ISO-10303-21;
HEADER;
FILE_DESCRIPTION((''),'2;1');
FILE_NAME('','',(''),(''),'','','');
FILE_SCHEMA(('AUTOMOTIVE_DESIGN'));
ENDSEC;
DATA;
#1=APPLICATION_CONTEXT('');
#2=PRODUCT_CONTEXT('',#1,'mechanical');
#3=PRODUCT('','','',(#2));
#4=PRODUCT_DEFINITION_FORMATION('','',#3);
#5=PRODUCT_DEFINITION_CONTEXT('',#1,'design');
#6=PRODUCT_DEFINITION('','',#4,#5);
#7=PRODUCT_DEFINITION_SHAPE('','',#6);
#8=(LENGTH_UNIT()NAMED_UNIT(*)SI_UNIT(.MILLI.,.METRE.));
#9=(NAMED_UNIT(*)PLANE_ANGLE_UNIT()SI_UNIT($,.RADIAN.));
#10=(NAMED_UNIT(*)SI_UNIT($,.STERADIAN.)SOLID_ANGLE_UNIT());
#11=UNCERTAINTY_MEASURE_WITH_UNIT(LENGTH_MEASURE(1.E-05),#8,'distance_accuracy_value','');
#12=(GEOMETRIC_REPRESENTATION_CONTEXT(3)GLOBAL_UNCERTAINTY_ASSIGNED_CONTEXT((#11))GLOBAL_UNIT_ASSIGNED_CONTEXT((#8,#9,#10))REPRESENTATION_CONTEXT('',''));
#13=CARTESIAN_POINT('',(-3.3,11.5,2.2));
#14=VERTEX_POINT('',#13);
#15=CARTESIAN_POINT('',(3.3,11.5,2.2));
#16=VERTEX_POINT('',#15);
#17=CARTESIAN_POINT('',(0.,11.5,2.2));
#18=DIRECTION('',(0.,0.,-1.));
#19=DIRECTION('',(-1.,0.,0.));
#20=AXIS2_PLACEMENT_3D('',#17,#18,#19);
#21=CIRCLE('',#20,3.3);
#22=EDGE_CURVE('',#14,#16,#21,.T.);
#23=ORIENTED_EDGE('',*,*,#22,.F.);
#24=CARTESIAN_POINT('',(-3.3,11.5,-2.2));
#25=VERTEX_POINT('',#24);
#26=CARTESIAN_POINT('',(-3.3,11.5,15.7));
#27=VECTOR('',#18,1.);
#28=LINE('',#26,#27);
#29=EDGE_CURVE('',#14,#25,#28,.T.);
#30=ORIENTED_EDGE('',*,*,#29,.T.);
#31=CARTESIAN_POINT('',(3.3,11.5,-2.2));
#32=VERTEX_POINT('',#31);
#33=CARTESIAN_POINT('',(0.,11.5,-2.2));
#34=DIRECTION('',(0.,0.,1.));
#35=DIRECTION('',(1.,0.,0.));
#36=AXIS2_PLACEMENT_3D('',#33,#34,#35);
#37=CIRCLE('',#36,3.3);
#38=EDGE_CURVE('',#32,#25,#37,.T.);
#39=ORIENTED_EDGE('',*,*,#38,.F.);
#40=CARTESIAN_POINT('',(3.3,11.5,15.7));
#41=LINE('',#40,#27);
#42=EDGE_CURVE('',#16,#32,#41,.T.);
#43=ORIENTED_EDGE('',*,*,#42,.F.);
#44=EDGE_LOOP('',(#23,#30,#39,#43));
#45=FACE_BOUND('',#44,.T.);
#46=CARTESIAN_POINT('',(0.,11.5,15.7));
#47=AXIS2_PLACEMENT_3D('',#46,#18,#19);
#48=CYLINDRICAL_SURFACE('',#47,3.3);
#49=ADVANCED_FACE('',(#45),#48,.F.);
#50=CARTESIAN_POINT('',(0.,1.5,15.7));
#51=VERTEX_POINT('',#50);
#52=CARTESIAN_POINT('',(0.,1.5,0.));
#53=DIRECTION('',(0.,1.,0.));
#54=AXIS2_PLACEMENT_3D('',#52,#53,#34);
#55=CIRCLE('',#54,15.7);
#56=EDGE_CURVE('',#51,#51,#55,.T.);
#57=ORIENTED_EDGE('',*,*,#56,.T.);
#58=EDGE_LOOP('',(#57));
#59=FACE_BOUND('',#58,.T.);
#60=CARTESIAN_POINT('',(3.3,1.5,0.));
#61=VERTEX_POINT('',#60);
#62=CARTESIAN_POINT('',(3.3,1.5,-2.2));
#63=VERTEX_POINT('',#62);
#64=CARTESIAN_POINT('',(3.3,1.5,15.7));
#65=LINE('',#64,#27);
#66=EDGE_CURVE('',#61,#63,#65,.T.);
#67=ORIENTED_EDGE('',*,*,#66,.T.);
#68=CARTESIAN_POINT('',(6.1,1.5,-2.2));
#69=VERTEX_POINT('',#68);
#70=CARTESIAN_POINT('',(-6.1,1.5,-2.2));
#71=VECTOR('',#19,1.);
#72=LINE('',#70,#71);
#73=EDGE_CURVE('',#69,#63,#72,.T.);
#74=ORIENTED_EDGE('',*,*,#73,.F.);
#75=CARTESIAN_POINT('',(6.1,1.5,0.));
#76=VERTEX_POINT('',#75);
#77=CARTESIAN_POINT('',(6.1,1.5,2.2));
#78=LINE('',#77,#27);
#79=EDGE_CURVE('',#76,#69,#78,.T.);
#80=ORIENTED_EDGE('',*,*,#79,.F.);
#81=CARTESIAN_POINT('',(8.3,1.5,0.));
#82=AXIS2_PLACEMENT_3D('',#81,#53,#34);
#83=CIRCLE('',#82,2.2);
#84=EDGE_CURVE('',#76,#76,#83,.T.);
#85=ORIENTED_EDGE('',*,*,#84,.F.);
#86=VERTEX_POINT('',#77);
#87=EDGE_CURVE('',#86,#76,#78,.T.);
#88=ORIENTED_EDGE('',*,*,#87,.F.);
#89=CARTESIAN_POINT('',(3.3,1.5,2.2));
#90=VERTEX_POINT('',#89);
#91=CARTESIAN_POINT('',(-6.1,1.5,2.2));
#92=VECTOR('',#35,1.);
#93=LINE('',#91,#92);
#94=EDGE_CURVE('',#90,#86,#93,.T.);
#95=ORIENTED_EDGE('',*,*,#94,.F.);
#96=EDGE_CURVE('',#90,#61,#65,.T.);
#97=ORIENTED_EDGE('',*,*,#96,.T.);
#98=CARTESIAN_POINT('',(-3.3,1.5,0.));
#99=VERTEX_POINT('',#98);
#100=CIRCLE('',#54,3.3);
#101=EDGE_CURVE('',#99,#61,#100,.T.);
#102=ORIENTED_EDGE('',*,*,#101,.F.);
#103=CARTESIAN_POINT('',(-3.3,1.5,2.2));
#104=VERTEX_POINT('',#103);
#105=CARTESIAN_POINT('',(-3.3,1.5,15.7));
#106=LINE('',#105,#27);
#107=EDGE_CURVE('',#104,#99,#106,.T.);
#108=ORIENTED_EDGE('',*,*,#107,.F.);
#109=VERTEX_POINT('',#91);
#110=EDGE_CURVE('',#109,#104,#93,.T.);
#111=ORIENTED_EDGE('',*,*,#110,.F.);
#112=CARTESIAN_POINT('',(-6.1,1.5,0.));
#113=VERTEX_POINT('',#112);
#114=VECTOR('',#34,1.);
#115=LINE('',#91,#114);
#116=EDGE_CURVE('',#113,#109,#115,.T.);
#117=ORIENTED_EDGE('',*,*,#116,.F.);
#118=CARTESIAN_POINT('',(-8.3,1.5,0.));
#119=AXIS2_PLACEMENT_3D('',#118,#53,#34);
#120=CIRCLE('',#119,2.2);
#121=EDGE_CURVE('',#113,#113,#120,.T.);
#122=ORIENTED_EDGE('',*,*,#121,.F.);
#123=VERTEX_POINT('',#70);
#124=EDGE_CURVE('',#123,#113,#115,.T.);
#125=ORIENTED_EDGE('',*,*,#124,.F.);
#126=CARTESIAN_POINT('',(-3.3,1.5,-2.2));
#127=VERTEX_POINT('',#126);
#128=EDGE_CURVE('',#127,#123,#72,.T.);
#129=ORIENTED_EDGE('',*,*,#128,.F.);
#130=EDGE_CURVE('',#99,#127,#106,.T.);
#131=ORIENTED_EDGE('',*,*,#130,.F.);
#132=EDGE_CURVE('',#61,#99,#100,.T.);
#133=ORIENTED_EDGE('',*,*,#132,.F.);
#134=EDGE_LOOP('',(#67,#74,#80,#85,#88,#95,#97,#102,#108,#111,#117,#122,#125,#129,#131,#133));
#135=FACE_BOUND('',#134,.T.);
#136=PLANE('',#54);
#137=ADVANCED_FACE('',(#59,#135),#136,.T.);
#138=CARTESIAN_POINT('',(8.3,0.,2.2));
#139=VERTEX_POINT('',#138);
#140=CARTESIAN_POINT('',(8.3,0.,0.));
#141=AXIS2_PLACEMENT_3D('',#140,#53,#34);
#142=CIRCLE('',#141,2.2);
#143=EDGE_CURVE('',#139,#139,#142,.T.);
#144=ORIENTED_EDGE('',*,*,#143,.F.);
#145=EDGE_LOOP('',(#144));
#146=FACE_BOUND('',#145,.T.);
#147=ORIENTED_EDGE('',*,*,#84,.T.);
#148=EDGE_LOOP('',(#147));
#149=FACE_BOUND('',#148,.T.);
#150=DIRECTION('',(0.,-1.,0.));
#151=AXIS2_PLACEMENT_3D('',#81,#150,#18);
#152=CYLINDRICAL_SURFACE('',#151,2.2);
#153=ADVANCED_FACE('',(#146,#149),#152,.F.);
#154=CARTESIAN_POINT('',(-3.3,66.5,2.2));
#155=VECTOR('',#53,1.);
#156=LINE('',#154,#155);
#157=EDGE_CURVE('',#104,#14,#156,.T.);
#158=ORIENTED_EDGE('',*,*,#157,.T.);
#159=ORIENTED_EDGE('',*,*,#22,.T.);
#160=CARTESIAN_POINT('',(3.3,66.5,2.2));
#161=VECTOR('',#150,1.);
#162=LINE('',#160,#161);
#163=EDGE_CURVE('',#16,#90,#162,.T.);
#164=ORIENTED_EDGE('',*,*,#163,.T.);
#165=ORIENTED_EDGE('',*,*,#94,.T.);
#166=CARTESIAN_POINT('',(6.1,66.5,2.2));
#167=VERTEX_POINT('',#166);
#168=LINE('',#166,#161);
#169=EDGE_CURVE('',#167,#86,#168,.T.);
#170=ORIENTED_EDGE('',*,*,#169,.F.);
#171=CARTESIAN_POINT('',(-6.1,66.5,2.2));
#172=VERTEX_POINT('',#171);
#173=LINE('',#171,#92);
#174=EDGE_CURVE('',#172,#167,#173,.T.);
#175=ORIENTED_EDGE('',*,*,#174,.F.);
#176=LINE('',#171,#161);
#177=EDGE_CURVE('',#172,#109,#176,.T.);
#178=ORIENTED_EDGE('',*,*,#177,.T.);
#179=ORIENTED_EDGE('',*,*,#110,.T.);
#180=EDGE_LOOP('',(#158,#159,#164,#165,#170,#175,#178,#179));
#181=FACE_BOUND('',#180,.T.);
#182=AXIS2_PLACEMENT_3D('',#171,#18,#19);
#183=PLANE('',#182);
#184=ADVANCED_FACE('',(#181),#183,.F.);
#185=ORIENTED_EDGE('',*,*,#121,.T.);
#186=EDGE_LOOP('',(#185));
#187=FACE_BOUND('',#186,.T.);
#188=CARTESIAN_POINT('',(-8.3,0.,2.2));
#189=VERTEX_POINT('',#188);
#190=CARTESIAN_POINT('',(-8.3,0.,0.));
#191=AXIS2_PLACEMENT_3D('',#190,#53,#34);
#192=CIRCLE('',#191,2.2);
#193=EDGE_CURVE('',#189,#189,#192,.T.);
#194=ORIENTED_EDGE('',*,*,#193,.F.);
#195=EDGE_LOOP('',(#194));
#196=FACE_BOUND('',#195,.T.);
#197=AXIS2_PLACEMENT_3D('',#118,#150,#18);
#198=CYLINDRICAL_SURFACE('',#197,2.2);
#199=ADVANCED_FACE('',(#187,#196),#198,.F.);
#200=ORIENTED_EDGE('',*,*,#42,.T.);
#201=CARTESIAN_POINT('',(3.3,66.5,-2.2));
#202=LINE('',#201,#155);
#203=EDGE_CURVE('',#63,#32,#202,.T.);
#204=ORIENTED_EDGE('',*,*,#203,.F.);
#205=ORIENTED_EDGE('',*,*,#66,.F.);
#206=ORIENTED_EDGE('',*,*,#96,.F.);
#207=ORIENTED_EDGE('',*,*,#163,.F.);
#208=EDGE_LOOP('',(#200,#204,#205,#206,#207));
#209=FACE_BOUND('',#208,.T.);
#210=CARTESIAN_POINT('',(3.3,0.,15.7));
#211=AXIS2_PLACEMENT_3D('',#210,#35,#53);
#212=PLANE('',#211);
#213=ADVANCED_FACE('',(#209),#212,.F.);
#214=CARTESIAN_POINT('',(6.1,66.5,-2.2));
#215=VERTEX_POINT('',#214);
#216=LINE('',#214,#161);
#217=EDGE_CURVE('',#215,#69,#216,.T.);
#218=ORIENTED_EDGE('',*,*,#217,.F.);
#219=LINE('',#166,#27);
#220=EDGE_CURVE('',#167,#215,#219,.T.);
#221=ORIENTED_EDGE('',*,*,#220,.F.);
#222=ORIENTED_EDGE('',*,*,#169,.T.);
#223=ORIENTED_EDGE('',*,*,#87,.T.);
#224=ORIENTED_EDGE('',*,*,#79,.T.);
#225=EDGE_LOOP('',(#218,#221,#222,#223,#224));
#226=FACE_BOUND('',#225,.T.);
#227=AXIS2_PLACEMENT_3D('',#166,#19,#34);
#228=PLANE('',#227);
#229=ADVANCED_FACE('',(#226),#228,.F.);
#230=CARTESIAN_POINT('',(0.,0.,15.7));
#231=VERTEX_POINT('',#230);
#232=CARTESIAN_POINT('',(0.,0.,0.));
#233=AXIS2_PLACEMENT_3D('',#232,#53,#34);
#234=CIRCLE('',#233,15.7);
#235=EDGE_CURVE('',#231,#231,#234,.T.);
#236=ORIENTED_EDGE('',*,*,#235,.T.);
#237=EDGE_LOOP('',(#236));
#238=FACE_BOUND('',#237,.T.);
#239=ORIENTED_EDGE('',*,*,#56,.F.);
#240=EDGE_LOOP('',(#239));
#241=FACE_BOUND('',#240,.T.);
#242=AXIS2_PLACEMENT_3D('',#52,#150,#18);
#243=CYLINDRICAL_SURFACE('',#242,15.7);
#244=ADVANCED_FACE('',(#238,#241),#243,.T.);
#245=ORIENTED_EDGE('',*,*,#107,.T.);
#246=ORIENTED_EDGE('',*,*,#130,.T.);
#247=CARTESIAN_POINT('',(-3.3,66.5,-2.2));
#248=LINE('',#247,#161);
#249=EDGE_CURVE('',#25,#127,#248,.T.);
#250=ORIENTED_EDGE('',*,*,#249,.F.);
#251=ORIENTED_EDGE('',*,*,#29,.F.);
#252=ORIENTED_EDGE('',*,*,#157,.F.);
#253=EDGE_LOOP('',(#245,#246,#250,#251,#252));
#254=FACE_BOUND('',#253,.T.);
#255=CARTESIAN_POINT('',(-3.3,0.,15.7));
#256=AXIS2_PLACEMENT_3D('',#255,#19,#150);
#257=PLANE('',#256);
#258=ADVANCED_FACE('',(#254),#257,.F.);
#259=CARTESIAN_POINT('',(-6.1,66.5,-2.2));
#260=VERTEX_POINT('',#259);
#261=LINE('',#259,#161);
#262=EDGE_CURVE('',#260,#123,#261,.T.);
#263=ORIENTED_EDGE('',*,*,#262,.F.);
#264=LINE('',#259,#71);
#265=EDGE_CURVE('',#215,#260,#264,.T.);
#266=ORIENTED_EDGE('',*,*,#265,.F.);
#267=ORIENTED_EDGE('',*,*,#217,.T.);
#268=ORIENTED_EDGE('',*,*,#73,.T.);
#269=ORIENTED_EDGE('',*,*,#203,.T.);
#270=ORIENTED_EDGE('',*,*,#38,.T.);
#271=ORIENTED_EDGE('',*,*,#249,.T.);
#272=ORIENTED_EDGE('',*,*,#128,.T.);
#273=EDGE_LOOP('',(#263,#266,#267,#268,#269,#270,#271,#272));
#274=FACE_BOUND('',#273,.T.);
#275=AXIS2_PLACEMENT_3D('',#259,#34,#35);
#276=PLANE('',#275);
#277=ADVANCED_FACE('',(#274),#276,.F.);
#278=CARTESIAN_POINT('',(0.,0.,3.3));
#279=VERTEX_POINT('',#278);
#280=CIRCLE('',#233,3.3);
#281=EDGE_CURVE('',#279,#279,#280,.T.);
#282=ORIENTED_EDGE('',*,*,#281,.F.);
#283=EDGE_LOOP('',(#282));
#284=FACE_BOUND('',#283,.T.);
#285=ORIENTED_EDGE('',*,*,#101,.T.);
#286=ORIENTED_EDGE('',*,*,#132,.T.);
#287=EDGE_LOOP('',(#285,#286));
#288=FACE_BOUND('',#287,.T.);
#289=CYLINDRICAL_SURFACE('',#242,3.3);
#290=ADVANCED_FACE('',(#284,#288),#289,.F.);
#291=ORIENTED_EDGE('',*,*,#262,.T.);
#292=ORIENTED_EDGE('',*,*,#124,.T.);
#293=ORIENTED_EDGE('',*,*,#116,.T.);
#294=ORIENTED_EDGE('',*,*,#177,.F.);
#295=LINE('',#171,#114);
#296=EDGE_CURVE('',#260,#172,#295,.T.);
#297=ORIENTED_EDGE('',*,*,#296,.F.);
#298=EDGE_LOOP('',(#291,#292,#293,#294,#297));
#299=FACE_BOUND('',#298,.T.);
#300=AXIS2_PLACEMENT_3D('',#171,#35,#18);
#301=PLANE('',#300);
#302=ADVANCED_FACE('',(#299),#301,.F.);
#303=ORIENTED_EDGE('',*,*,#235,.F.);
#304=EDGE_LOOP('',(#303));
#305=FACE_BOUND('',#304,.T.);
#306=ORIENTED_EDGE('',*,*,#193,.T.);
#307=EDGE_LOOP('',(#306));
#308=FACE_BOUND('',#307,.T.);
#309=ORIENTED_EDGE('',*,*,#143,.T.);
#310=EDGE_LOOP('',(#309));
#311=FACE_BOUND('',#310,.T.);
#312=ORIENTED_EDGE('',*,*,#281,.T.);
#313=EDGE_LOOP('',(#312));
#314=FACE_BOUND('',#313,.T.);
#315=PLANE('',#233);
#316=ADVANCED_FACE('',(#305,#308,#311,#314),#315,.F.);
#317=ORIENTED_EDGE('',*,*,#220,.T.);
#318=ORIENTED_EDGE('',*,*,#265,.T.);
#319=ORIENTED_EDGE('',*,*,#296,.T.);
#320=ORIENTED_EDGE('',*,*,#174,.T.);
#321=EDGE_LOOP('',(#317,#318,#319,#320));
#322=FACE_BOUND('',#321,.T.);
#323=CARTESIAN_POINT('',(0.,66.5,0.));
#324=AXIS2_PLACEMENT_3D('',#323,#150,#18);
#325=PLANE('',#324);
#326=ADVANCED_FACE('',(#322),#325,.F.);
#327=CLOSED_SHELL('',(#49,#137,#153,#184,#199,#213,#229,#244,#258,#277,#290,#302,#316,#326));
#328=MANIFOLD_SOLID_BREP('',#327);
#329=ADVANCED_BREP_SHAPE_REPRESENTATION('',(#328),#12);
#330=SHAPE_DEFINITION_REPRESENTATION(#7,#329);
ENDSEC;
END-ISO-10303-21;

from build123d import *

# Parameters (mm, degrees)
SKETCH1_R               = 15.7
SKETCH1_R_2             = 3.3
SKETCH1_R_3             = 2.2
BOSS_EXTRUDE1_DEPTH     = 1.5
SKETCH2_W               = 12.2
SKETCH2_H               = 4.4
BOSS_EXTRUDE2_DEPTH     = 65
CUT_EXTRUDE1_DEPTH      = 71.633915366
CUT_EXTRUDE1_DEPTH_BACK = 90


with BuildPart() as part:
    # Sketch1 → Boss-Extrude1 (new body)
    with BuildSketch(Plane(origin=(0, 0, 0), x_dir=(1, 0, 0), z_dir=(0, 1, 0))):
        with Locations(Location((0, 0, 0), (0, 0, 270))):
            Circle(SKETCH1_R)
        with Locations(Location((0, 0, 0), (0, 0, 270))):
            Circle(SKETCH1_R_2, mode=Mode.SUBTRACT)
        with Locations(Location((-8.3, 0, 0), (0, 0, 270))):
            Circle(SKETCH1_R_3, mode=Mode.SUBTRACT)
        with Locations(Location((8.3, 0, 0), (0, 0, 270))):
            Circle(SKETCH1_R_3, mode=Mode.SUBTRACT)
    extrude(amount=BOSS_EXTRUDE1_DEPTH)

    # Sketch2 → Boss-Extrude2 (add)
    with BuildSketch(Plane(origin=(0, 1.5, 0), x_dir=(1, 0, 0), z_dir=(0, 1, 0))):
        Rectangle(SKETCH2_W, SKETCH2_H)
    extrude(amount=BOSS_EXTRUDE2_DEPTH)

    # Sketch4 → Cut-Extrude1 (cut, two sides: drawn at the far end of the back side and taken through both)
    with BuildSketch(Plane.XY.offset(2.2).offset(-CUT_EXTRUDE1_DEPTH_BACK)):
        with BuildLine():
            ThreePointArc((3.3, 11.5), (2.333452378, 13.833452378), (0, 14.8))
            Line((0, 14.8), (0, 1.5))
            Line((0, 1.5), (2.459674775, 1.5))
            Line((2.459674775, 1.5), (3.3, 1.5))
            Line((3.3, 1.5), (3.3, 11.5))
        make_face()
        with BuildLine():
            Line((-3.3, 11.5), (-3.3, 1.5))
            Line((-3.3, 1.5), (-2.459674775, 1.5))
            Line((-2.459674775, 1.5), (0, 1.5))
            Line((0, 1.5), (0, 14.8))
            ThreePointArc((0, 14.8), (-2.333452378, 13.833452378), (-3.3, 11.5))
        make_face()
    extrude(amount=CUT_EXTRUDE1_DEPTH + CUT_EXTRUDE1_DEPTH_BACK, mode=Mode.SUBTRACT)


solid = part.part
